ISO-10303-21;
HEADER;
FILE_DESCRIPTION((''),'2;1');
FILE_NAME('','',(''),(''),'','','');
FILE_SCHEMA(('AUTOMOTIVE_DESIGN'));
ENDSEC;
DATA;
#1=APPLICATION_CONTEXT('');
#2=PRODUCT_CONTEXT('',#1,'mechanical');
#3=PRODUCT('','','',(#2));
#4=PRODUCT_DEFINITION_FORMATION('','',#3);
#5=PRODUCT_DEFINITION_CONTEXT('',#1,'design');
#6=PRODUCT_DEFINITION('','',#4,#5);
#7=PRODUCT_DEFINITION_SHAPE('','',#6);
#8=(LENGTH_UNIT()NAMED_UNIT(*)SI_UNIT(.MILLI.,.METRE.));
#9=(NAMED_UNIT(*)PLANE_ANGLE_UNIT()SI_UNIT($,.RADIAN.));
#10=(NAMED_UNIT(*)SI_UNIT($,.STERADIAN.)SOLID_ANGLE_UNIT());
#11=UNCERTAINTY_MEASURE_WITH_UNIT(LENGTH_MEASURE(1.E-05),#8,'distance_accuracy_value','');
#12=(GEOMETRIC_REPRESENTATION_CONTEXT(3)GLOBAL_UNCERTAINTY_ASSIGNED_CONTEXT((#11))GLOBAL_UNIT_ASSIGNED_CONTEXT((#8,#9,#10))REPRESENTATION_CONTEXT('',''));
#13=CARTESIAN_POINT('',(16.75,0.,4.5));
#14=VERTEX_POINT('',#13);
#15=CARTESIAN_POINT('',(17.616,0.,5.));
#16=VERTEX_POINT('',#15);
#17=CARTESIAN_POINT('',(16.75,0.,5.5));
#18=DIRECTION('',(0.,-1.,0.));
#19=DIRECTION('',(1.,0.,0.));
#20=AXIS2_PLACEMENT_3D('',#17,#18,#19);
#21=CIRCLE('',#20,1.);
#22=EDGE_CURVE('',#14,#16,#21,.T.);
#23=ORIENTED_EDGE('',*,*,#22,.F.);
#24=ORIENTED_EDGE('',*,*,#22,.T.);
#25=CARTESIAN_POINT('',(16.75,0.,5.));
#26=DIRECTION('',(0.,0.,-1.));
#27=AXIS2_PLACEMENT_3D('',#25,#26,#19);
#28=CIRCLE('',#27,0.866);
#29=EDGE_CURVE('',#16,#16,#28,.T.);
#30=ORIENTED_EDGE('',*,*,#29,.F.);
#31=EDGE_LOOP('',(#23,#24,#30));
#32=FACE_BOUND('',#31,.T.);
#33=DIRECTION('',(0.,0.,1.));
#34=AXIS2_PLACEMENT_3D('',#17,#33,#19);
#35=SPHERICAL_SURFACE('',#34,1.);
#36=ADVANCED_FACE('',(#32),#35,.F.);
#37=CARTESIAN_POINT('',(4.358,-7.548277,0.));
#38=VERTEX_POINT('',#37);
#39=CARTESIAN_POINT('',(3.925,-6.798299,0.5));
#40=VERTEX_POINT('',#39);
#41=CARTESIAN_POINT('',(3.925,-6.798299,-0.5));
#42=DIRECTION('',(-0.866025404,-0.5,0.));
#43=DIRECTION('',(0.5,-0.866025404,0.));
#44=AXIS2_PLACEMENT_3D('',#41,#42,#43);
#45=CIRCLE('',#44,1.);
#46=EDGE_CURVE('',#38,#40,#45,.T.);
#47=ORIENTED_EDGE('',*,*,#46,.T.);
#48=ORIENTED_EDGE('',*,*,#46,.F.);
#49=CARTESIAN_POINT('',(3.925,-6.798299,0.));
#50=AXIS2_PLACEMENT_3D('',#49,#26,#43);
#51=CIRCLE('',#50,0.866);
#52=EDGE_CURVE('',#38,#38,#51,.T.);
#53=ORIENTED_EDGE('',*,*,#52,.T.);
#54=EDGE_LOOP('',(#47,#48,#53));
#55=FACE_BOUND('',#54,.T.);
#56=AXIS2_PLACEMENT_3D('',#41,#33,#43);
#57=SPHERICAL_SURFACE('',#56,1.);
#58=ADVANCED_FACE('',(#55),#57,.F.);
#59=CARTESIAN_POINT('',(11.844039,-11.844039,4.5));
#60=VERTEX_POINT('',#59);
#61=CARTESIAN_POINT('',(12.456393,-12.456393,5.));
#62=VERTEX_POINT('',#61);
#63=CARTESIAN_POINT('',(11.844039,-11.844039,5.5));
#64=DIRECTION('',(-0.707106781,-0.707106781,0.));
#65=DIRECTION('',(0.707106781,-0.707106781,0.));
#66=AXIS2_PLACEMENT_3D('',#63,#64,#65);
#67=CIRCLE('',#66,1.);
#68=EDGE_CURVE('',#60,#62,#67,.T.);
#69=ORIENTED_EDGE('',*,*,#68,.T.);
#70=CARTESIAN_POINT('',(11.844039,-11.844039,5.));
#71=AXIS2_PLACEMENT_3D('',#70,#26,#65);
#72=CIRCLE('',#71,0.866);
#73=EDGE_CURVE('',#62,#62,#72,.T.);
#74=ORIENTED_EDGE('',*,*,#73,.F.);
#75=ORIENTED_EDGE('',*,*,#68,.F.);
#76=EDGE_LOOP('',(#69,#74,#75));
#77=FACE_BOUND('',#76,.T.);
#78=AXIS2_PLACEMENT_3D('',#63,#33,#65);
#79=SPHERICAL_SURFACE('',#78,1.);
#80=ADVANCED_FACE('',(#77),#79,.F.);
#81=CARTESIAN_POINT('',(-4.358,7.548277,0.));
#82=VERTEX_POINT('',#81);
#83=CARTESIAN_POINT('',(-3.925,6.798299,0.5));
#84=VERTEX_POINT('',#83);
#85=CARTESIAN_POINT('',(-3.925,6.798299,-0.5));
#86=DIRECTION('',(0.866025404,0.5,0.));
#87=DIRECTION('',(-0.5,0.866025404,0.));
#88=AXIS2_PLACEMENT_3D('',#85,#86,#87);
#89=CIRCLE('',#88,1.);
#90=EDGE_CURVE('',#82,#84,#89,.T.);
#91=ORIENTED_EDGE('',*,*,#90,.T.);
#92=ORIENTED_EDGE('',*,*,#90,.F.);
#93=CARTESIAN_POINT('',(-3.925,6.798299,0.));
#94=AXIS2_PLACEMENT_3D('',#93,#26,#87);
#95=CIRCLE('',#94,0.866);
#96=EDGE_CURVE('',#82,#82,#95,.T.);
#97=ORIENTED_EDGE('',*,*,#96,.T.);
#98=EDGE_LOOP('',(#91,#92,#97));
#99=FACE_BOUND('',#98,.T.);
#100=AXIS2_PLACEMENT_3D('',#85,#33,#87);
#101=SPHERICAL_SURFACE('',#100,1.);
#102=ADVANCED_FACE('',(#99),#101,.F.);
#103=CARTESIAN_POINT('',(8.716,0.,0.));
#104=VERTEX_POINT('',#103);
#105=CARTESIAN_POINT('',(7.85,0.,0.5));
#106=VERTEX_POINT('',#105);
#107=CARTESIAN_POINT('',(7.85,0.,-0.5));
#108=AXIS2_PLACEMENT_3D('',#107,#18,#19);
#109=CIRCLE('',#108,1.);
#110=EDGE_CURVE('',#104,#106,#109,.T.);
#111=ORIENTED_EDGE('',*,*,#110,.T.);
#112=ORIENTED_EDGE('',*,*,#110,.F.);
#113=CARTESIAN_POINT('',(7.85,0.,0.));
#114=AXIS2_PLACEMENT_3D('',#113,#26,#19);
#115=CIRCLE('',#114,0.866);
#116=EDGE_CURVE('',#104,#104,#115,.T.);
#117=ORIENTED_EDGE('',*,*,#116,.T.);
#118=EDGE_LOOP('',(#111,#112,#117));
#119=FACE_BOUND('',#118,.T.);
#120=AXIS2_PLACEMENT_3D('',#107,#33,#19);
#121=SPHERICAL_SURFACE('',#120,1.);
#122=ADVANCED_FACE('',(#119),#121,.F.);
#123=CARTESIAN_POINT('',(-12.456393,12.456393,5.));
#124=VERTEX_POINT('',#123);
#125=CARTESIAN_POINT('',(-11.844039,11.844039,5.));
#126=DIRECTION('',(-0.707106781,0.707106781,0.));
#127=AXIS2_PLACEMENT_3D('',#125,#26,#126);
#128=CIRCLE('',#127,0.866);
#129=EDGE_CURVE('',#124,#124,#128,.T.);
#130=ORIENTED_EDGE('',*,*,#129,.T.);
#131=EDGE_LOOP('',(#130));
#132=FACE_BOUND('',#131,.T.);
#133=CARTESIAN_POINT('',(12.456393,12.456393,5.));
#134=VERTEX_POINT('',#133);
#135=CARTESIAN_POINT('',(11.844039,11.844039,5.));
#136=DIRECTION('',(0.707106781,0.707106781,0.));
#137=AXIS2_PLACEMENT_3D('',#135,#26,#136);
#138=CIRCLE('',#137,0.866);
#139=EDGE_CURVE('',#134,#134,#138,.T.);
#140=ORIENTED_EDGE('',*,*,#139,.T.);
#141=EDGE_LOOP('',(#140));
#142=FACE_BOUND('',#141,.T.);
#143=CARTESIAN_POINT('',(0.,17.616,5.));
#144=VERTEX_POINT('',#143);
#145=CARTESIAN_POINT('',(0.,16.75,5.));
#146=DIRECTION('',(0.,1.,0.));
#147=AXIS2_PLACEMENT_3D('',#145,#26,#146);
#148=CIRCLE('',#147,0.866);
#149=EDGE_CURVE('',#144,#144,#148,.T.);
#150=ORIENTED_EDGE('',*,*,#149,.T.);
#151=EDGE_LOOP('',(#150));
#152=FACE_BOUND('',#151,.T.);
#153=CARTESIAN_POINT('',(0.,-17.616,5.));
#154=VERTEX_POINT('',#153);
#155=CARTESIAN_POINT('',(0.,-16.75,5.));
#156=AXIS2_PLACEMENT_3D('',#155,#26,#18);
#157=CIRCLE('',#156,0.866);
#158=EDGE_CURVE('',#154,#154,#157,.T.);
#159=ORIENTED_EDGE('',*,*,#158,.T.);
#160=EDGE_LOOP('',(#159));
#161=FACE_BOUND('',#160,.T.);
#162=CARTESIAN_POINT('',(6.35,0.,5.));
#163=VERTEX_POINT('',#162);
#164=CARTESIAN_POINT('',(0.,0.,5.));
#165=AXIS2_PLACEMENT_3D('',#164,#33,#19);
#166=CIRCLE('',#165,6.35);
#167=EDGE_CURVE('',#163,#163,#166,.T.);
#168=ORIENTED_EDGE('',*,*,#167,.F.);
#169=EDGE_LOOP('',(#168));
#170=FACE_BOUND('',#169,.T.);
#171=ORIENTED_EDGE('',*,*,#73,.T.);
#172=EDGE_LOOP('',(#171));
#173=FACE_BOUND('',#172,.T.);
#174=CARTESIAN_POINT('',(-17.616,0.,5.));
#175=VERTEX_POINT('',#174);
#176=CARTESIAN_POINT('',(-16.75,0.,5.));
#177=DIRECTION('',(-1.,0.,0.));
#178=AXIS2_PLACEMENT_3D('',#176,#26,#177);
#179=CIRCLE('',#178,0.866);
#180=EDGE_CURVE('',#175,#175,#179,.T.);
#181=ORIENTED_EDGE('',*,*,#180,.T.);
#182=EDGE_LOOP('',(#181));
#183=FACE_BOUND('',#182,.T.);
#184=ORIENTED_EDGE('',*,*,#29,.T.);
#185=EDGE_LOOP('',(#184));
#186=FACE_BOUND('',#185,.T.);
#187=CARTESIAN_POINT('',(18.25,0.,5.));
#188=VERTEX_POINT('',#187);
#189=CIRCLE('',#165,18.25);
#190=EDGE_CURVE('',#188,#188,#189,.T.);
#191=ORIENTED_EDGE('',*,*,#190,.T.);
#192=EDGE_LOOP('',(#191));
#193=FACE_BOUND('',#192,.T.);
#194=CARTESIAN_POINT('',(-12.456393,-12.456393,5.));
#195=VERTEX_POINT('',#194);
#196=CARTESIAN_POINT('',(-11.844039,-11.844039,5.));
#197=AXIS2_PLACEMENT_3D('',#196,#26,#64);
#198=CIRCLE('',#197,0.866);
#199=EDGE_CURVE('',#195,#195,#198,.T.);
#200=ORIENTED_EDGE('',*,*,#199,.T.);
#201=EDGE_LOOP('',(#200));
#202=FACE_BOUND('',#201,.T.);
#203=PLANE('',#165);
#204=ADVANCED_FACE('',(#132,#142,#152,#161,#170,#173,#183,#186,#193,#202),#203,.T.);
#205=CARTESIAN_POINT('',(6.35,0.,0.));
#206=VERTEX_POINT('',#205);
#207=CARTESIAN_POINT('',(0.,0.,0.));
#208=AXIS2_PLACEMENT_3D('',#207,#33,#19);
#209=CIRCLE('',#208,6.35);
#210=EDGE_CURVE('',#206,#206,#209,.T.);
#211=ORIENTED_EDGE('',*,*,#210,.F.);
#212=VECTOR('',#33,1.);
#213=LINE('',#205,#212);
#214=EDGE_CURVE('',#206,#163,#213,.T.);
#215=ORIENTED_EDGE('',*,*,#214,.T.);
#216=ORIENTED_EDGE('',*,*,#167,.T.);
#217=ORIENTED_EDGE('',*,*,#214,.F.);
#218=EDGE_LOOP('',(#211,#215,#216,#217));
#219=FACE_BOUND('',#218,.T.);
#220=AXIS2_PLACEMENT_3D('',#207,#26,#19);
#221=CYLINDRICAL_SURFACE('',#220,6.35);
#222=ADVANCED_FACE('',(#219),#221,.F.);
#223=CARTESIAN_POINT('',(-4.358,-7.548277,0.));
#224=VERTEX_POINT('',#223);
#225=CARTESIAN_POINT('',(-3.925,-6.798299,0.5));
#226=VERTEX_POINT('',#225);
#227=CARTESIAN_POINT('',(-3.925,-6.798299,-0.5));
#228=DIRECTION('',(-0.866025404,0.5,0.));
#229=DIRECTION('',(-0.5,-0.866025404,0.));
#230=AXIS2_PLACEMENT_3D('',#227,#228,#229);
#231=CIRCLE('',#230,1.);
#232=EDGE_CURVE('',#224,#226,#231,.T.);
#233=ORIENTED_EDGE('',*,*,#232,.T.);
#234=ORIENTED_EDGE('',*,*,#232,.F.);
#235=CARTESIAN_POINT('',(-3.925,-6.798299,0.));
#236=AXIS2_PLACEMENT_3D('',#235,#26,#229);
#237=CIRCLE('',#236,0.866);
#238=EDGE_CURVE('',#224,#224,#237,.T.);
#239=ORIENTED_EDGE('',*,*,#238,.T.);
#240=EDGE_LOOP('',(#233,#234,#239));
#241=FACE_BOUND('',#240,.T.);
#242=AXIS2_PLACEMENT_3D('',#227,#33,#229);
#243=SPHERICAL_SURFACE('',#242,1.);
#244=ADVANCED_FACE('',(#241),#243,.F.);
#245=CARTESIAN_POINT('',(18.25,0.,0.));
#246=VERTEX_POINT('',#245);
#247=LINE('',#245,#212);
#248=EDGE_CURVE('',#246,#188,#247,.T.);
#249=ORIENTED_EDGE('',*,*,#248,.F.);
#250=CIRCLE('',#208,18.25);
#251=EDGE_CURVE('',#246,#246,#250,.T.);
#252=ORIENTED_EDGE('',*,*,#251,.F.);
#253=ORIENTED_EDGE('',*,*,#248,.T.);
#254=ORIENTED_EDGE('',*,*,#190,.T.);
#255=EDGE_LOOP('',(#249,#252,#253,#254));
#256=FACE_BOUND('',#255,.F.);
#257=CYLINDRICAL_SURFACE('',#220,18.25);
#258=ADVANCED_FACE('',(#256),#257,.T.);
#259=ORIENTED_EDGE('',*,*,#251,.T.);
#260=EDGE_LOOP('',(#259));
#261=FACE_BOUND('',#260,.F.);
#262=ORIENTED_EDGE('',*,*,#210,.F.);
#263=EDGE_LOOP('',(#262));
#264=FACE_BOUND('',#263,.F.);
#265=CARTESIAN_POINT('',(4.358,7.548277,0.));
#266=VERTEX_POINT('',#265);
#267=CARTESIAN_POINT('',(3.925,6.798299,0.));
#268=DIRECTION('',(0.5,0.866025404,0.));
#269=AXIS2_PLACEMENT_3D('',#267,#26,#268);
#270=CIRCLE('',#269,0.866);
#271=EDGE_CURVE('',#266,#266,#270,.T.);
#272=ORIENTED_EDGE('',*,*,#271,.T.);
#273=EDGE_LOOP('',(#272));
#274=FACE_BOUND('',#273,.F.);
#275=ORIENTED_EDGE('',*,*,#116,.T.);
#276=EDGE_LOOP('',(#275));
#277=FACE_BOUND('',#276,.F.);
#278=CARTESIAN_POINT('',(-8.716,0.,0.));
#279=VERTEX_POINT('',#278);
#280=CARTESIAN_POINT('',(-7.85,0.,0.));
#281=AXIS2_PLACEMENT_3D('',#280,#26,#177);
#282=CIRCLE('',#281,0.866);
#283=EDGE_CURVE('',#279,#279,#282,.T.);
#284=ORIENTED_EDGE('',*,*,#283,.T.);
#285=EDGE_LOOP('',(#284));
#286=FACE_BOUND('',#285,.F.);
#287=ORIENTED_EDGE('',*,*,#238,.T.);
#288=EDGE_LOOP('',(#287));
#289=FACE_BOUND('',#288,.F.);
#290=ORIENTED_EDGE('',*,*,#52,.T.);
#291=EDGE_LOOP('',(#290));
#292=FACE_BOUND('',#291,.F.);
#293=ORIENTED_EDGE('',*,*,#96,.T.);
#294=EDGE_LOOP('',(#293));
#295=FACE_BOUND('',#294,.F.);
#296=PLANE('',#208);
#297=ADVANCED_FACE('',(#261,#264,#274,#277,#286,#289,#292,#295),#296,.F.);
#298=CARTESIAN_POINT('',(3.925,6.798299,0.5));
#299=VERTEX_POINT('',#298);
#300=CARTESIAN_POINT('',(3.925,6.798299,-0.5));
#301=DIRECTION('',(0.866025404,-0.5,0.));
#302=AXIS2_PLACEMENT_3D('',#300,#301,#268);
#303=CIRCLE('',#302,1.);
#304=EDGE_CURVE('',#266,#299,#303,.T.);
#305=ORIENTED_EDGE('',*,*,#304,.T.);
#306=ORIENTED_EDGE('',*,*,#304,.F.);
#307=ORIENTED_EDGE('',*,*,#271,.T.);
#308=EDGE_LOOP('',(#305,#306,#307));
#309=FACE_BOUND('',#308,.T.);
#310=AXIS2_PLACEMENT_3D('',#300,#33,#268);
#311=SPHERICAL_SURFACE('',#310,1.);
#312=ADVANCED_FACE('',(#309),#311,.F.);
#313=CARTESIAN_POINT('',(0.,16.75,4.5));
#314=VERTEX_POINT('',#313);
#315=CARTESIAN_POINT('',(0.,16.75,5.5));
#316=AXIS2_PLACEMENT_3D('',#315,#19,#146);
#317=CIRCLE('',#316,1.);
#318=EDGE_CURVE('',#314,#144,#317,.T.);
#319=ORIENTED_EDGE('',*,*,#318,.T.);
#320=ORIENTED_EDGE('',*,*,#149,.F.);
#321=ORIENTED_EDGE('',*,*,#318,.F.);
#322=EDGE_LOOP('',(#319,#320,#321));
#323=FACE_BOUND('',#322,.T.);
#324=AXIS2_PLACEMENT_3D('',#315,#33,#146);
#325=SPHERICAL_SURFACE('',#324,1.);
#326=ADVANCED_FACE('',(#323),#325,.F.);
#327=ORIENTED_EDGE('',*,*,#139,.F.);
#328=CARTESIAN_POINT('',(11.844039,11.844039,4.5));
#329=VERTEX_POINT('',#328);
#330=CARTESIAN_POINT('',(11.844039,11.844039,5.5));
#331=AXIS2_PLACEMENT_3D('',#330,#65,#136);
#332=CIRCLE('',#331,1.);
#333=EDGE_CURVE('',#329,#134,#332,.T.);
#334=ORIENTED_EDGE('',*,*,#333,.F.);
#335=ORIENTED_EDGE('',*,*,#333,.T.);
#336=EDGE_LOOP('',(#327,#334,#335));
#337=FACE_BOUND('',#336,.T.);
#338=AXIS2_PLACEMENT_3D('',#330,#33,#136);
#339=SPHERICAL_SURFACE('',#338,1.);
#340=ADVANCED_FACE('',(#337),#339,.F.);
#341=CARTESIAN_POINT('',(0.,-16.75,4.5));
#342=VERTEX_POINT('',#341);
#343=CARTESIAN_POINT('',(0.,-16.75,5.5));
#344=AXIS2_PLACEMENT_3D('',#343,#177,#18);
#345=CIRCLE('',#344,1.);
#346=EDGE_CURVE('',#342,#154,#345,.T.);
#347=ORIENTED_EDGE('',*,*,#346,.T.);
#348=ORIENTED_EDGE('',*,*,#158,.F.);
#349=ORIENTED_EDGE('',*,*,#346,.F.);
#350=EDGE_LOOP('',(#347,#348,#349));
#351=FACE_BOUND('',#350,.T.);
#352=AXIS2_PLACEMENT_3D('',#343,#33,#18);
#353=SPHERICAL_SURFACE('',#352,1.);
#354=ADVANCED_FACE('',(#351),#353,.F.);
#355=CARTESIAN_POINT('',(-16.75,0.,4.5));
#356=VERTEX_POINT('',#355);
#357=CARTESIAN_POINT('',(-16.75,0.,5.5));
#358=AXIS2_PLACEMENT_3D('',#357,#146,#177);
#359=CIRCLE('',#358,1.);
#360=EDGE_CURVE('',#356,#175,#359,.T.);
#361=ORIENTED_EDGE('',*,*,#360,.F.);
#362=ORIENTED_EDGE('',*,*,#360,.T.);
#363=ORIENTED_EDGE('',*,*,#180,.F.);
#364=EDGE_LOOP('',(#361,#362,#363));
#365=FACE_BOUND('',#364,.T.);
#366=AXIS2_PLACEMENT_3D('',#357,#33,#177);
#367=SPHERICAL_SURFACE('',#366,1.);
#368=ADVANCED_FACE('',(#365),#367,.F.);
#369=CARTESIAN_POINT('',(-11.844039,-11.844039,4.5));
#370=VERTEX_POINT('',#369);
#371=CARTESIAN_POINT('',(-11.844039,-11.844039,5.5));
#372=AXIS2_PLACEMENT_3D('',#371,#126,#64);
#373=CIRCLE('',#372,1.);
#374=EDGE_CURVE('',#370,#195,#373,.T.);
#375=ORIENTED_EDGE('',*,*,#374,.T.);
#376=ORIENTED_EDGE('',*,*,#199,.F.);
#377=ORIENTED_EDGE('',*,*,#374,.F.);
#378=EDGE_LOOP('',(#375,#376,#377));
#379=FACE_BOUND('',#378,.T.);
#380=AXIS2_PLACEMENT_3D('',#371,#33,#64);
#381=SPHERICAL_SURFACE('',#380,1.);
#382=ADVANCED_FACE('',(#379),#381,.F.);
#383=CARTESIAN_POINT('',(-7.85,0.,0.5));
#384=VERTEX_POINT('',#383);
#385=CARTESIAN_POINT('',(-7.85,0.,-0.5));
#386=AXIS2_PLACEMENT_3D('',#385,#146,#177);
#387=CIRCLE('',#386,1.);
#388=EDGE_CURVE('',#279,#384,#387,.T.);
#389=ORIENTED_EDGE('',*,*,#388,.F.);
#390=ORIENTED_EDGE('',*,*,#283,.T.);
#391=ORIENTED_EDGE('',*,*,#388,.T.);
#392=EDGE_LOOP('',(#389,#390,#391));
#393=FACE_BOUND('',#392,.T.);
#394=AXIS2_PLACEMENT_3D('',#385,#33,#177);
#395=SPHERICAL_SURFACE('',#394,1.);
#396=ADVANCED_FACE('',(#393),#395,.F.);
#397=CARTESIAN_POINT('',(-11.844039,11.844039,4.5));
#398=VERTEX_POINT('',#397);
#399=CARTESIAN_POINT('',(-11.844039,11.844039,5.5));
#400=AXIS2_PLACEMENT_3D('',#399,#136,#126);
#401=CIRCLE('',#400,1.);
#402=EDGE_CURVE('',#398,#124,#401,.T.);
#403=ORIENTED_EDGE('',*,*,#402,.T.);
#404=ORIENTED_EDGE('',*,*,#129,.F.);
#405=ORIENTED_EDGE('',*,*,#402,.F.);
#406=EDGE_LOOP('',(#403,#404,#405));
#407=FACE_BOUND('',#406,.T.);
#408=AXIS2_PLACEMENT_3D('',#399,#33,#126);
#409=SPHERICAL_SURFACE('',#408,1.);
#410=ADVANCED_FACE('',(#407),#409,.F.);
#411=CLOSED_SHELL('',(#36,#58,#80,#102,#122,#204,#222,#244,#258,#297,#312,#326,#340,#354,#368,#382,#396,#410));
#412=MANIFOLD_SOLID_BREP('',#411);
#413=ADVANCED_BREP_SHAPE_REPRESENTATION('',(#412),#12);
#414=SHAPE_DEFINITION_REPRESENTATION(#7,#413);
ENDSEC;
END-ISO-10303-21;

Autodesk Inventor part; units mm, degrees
ref_plane "YZ Plane" through (0, 0, 0) normal (1, 0, 0) x (0, 1, 0)
ref_plane "XZ Plane" through (0, 0, 0) normal (0, 1, 0) x (-1, 0, 0)
ref_plane "XY Plane" through (0, 0, 0) normal (0, 0, 1) x (1, 0, 0)
sketch "Sketch1" plane through (0, 0, 0) normal (0, 0, 1) x (1, 0, 0)
  circle A0 centre (0, 0) radius 6.35
  circle A1 centre (0, 0) radius 18.25
  dimension "d0" = 12.7
  dimension "d1" = 36.5
extrude "Extrusion1" add sketch "Sketch1" along normal blind 5
sketch "Sketch2" plane through (0, 0, 5) normal (0, 0, 1) x (1, 0, 0)
  circle A0 centre (0, 0) radius 6.35 projected
  circle A1 centre (0, 0) radius 18.25 projected
  circle A2 centre (0, 0) radius 7.1
  dimension "d4" = 14.2
sketch "Sketch3" plane through (0, 0, 0) normal (0, 1, 0) x (-1, 0, 0)
  line L0 (6.35, 0) -> (6.35, 5) projected
  line L1 (18.25, 0) -> (18.25, 5) projected
  line L2 (-18.25, 5) -> (18.25, 5) projected
  line L3 (-18.25, 0) -> (18.25, 0) projected
  line L4 (7.85, 5) -> (7.85, 0)
  line L5 (16.75, 5) -> (16.75, 0)
  line L6 (16.75, 5) -> (16.75, 7)
  line L7 (7.85, 5) -> (7.85, 8)
  line L8 (7.85, 0) -> (7.85, -2)
  circle A0 centre (16.75, 5.5) radius 1
  line L9 (16.75, 5) -> (16.75, 4.5)
  line L10 (16.75, 5) -> (15.884, 5)
  line L11 (16.75, 5) -> (17.616, 5)
  arc A1 (15.884, 5) -> (16.75, 4.5) centre (16.75, 5.5) ccw
  arc A2 (16.75, 4.5) -> (17.616, 5) centre (16.75, 5.5) ccw
  dimension "d5" = 1.5
  dimension "d6" = 1.5
  dimension "d9" = 0.5
  dimension "d10" = 2
revolve "Revolution1" cut sketch "Sketch3" angle 360 about axis through (-16.75, 0, 5) along (0, 0, -1) picked at (17.2864, 4.9436) contours L5 L2 A0
pattern_circular "Circular Pattern1" count 8 over 360 about axis through (0, 0, 0) along (0, 0, 1) of "Revolution1"
sketch "Sketch4" plane through (0, 0, 0) normal (0, 1, 0) x (-1, 0, 0)
  line L0 (18.25, 0) -> (18.25, 5) projected
  line L1 (6.35, 0) -> (6.35, 5) projected
  line L2 (-18.25, 0) -> (18.25, 0) projected
  line L3 (-18.25, 5) -> (18.25, 5) projected
  line L4 (7.85, 5) -> (7.85, 0)
  line L5 (7.85, 0) -> (7.85, -3)
  circle A0 centre (7.85, -0.5) radius 1
  line L6 (7.85, 0) -> (7.85, 0.5)
  line L7 (7.85, 0) -> (6.984, 0)
  line L8 (7.85, 0) -> (8.716, 0)
  arc A1 (8.716, 0) -> (7.85, 0.5) centre (7.85, -0.5) ccw
  arc A2 (7.85, 0.5) -> (6.984, 0) centre (7.85, -0.5) ccw
  dimension "d15" = 1.5
  dimension "d16" = 0.5
  dimension "d17" = 2
revolve "Revolution2" cut sketch "Sketch4" angle 360 about axis through (-7.85, 0, 5) along (0, 0, -1) picked at (8.3864, 0.0564) contours L2 L4 A0
pattern_circular "Circular Pattern2" count 6 over 360 about axis through (0, 0, 0) along (0, 0, 1) of "Revolution2"
properties part number "Plate between E2 and E3"
